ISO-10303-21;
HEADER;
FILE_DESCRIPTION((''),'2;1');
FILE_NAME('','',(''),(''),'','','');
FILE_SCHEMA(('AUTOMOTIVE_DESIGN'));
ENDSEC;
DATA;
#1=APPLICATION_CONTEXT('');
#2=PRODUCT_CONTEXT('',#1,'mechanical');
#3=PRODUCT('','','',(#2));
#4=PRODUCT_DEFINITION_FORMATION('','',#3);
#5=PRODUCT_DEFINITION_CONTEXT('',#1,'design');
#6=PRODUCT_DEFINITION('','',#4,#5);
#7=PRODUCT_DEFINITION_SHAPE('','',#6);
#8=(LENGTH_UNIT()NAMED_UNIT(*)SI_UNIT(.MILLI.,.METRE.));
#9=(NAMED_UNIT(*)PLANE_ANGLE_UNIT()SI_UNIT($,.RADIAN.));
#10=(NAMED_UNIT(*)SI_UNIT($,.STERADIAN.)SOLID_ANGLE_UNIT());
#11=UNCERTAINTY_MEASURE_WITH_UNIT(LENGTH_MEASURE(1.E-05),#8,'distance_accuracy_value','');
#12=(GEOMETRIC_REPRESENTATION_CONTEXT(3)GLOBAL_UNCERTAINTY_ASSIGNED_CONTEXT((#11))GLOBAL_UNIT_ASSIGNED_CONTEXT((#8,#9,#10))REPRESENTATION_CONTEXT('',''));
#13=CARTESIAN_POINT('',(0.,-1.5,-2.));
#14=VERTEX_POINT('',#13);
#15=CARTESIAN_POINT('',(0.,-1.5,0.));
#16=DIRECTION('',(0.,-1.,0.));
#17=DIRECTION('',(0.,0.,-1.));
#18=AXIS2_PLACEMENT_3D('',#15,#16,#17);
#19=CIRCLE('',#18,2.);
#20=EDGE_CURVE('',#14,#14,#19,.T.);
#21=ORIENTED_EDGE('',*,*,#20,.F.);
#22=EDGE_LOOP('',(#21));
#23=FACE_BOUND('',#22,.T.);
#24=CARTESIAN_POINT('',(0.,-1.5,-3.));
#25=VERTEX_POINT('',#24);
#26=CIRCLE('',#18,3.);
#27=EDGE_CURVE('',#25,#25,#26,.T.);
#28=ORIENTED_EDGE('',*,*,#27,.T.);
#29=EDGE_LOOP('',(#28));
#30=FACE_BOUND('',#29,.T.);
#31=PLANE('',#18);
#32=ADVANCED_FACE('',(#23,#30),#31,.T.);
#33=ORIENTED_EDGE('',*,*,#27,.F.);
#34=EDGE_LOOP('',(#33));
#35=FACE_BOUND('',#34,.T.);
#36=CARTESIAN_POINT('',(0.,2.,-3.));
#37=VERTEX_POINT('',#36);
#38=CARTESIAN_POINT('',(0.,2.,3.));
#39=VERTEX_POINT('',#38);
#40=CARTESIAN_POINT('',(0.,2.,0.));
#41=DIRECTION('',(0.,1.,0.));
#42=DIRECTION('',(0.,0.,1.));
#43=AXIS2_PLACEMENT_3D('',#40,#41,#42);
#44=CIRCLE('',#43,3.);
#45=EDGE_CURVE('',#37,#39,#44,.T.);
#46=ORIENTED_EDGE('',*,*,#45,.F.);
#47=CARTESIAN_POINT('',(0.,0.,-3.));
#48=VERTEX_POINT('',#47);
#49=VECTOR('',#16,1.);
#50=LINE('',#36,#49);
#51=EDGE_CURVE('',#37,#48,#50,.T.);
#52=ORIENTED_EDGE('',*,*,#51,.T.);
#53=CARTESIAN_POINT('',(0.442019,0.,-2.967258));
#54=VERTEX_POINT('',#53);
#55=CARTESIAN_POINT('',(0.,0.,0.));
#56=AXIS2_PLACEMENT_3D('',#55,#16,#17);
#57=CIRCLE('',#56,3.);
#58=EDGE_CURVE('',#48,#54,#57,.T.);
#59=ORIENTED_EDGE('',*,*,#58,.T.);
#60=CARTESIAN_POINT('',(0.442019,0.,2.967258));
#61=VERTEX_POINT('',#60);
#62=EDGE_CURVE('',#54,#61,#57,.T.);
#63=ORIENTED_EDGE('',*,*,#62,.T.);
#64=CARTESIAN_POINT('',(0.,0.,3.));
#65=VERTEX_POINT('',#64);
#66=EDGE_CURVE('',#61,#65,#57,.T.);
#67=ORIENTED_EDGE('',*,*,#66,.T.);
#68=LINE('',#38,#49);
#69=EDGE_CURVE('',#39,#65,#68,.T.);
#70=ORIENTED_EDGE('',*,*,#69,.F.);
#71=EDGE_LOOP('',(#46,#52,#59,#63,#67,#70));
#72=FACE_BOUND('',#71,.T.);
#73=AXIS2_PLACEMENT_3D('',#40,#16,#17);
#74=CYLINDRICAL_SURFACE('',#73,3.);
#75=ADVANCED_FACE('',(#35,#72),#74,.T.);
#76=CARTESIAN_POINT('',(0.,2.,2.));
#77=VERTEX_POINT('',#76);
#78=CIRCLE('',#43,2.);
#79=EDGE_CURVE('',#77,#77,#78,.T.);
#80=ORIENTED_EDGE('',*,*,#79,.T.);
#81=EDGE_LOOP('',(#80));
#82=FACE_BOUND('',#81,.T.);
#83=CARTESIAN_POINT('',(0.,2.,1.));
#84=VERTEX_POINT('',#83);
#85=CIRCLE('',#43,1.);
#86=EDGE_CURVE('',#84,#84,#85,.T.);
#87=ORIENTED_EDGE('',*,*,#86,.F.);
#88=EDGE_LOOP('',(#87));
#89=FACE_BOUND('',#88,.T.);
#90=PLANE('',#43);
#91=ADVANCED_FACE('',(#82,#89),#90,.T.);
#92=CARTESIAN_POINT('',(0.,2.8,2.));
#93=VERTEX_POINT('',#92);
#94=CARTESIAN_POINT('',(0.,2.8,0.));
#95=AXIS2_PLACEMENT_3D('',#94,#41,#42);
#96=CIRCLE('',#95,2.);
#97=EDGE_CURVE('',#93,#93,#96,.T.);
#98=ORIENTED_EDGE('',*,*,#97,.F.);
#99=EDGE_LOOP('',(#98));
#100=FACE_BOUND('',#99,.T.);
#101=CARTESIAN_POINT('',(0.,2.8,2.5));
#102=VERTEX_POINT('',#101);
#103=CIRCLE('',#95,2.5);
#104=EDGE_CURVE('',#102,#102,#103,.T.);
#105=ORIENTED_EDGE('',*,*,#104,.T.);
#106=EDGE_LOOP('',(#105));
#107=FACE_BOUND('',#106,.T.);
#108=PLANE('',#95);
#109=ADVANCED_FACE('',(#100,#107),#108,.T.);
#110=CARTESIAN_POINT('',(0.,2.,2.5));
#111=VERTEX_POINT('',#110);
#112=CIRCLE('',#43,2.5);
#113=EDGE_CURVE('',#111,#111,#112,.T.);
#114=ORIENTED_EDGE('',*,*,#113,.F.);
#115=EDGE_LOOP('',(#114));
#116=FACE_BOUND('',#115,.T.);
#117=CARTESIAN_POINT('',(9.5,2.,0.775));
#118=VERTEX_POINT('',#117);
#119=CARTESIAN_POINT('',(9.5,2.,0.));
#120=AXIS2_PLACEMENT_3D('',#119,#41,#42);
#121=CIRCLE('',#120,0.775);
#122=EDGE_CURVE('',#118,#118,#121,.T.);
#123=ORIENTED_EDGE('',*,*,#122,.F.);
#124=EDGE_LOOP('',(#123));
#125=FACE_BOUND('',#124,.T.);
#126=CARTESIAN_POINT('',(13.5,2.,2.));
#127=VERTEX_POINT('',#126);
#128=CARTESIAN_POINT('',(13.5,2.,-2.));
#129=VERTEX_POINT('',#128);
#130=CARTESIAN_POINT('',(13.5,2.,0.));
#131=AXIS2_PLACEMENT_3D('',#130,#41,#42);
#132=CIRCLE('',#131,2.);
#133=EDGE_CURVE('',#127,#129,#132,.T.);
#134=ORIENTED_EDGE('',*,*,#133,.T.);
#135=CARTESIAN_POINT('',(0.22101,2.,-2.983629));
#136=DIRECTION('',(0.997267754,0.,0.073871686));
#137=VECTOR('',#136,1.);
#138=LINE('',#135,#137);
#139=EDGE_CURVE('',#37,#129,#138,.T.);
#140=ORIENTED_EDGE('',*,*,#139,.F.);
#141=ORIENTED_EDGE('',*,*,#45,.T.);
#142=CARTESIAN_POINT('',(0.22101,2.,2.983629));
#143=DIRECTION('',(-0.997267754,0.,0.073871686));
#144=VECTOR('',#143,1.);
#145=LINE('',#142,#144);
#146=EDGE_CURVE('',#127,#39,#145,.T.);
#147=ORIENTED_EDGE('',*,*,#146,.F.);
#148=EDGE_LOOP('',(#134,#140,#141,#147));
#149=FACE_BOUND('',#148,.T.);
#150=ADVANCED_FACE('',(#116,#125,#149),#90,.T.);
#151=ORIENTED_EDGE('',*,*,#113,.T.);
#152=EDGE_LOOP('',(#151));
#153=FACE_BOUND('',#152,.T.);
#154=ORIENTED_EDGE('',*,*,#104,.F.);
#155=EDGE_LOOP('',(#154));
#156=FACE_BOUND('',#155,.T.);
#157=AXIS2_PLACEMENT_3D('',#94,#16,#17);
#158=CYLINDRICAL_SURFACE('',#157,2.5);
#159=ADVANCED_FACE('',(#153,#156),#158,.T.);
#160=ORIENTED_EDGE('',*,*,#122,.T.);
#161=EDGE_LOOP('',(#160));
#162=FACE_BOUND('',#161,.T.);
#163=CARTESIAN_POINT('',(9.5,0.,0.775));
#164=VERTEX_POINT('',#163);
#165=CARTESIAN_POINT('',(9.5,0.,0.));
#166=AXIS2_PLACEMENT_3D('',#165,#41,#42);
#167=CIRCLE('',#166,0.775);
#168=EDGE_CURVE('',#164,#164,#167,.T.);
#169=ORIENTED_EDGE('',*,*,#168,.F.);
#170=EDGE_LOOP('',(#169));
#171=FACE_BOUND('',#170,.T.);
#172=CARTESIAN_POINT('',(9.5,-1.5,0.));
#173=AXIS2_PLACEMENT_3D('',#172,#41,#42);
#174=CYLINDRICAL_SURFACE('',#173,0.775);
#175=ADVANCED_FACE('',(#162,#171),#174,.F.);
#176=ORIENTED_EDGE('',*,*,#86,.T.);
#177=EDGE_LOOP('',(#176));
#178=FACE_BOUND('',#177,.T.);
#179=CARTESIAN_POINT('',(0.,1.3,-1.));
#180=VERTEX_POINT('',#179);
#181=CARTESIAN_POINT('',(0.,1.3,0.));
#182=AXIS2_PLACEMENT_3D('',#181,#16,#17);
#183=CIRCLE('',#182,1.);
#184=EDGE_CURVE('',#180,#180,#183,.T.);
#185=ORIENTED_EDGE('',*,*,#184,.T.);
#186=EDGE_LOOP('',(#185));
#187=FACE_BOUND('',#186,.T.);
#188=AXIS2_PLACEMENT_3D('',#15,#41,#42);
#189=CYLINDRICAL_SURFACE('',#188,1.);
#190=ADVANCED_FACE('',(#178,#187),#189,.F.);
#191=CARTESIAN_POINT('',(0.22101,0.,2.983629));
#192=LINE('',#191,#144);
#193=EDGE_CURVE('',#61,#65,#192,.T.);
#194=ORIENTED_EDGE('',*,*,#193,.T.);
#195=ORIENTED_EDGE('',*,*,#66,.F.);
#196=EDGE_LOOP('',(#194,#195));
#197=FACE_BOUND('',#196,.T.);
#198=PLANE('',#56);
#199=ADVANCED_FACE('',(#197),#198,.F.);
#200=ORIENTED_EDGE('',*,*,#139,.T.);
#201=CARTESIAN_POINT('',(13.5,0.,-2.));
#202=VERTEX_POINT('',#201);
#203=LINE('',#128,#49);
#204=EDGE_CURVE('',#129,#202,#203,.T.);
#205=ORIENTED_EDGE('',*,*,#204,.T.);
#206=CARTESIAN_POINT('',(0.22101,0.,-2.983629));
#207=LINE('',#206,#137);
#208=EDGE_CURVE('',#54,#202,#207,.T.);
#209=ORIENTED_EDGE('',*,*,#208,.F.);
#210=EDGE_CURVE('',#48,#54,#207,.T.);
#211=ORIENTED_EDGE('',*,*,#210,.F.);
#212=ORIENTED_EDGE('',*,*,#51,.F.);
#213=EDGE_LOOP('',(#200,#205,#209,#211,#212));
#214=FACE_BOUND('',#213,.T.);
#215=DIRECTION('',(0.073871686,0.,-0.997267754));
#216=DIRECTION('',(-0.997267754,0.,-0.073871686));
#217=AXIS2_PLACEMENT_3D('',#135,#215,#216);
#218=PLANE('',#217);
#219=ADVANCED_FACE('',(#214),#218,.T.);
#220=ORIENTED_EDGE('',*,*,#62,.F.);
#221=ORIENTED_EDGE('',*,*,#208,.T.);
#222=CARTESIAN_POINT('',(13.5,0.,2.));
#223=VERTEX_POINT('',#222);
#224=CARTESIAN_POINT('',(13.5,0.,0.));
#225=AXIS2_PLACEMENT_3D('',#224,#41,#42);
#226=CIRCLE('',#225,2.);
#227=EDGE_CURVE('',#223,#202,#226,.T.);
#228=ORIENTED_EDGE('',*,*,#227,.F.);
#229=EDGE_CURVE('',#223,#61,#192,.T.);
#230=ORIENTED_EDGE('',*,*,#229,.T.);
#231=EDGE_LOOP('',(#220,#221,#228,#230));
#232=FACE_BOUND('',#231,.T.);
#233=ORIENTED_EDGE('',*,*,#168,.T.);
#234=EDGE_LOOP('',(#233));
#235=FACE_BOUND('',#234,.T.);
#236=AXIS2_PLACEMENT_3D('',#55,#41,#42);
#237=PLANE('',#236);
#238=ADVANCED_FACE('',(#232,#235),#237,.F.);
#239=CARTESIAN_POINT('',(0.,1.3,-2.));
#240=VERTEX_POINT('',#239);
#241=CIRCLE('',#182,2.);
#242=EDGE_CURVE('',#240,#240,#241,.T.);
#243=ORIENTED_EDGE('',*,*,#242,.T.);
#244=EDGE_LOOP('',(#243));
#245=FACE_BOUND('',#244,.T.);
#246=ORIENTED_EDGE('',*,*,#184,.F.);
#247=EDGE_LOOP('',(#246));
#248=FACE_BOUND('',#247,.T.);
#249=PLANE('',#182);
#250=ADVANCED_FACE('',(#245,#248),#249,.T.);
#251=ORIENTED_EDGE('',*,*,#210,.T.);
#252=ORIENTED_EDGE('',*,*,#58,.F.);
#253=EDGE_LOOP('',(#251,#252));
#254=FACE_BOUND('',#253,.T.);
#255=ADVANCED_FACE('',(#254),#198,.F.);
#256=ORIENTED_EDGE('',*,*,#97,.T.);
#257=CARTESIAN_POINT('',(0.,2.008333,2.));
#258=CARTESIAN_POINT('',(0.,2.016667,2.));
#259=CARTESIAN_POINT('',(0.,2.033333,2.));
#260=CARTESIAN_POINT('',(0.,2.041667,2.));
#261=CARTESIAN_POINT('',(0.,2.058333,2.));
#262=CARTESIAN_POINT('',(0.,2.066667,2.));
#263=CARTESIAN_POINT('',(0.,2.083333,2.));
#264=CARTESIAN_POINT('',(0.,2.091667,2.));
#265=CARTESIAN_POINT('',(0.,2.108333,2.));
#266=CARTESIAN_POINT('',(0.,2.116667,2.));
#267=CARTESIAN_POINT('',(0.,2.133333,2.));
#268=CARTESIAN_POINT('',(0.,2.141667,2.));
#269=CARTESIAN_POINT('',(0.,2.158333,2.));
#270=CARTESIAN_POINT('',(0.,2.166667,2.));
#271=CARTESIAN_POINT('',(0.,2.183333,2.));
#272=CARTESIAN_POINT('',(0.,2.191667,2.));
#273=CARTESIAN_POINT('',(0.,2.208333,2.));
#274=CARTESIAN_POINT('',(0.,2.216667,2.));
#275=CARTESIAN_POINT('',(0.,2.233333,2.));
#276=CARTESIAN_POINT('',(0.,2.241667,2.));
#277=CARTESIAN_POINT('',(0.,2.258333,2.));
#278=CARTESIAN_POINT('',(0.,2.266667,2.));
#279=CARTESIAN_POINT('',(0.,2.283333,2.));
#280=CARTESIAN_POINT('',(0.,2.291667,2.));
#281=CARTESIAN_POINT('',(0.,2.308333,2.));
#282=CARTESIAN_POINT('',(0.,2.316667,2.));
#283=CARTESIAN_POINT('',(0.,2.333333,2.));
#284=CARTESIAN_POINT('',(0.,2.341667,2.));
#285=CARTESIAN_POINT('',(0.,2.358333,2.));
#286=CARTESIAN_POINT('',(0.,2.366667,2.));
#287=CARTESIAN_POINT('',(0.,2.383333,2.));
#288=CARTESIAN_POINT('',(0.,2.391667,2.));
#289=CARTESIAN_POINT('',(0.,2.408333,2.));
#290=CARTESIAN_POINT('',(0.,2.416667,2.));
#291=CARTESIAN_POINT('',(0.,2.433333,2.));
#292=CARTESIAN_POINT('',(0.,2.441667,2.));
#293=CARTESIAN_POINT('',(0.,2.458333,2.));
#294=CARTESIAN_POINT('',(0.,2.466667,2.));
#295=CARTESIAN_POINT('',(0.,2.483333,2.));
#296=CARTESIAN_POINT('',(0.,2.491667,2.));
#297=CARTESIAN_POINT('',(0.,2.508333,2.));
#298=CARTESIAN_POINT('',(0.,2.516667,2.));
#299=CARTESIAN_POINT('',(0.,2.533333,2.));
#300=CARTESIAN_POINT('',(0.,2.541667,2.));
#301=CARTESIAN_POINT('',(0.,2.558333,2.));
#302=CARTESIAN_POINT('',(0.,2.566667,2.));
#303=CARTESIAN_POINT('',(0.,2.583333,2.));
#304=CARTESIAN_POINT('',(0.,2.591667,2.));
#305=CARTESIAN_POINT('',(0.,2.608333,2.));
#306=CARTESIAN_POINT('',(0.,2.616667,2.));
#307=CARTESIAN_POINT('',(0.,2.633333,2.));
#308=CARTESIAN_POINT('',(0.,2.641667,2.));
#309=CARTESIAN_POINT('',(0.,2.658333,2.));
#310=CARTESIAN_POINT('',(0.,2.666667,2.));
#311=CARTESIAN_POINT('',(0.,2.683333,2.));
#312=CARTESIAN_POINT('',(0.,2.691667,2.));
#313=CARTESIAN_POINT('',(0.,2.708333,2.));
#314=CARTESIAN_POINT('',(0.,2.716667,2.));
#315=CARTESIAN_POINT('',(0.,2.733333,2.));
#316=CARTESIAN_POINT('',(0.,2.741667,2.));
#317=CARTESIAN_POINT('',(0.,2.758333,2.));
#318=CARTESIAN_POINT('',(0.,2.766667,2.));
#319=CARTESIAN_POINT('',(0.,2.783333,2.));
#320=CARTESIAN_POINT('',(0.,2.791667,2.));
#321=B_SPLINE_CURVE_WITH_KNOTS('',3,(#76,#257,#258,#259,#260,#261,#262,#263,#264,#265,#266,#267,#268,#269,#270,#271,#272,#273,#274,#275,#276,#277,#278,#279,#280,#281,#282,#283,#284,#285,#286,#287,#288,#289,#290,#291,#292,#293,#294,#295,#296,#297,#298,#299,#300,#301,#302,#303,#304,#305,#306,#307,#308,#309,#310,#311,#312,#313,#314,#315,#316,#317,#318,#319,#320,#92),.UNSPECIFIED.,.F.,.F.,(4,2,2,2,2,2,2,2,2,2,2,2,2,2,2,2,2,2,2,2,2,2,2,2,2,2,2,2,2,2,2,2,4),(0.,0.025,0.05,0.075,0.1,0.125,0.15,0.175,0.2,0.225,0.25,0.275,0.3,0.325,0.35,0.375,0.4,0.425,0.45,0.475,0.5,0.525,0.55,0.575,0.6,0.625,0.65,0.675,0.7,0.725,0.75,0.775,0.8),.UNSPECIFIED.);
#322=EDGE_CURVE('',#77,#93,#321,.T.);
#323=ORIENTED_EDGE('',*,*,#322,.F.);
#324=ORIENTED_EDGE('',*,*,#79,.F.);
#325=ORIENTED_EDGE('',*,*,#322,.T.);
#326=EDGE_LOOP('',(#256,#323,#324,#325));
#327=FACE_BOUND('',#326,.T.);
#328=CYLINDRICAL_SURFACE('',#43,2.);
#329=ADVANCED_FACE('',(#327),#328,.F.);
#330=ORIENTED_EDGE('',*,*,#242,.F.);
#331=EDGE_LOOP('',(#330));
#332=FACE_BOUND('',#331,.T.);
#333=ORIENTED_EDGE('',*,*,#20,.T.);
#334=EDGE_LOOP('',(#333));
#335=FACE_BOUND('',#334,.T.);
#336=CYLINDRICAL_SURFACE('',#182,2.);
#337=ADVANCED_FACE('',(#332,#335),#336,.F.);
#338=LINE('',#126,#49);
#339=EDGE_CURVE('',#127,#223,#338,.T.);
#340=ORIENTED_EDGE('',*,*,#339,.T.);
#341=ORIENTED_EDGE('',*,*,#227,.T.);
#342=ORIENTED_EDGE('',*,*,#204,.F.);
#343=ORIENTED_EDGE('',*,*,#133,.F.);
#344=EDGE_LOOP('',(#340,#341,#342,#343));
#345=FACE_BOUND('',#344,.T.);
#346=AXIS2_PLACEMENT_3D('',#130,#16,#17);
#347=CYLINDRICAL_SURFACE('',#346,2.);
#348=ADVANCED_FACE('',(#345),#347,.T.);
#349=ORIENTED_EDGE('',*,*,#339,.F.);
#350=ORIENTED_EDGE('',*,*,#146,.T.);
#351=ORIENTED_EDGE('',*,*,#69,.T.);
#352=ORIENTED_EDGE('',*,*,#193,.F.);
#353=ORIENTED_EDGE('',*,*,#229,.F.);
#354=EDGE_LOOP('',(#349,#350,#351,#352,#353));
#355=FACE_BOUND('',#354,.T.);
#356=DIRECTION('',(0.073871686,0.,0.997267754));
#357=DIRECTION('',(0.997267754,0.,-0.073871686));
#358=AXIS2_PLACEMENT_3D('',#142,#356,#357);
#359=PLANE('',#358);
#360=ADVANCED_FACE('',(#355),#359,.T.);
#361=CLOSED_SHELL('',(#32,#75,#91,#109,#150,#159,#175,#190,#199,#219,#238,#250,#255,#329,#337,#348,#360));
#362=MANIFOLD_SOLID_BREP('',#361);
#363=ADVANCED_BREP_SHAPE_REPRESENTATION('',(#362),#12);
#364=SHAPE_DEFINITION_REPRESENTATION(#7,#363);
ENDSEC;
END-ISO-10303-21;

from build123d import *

# Parameters (mm, degrees)
EXTRUDE_1_DEPTH     = 2
SKETCH_3_R          = 2.5
EXTRUDE_2_DEPTH     = 0.8
EXTRUDE_START       = 1.5
SKETCH_4_R          = 3
EXTRUDE_3_DEPTH     = 1.5
SKETCH_5_R          = 2
CUT_EXTRUDE_1_DEPTH = 2.8
CUT_EXTRUDE_START   = -0.8
SKETCH_6_R          = 2
CUT_EXTRUDE_2_DEPTH = 0.8
SKETCH_7_R          = 1
CUT_EXTRUDE_3_DEPTH = 17.170961629
SKETCH_8_R          = 0.775
CUT_EXTRUDE_4_DEPTH = 17.170961629


with BuildPart() as part:
    # Эскиз2 → Бобышка-Вытянуть1 (new body)
    with BuildSketch(Plane(origin=(0, 0, 0), x_dir=(1, 0, 0), z_dir=(0, 1, 0))):
        with BuildLine():
            ThreePointArc((0.4420191, 2.967257844), (2.272229885, 1.958818866), (3, 0))
            Line((3, 0), (11.5, 0))
            ThreePointArc((11.5, 0), (12.085786438, 1.414213562), (13.5, 2))
            Line((13.5, 2), (0.4420191, 2.967257844))
        make_face()
        with BuildLine():
            ThreePointArc((0, 3), (-2.121320344, 2.121320344), (-3, 0))
            Line((-3, 0), (3, 0))
            ThreePointArc((3, 0), (2.272229885, 1.958818866), (0.4420191, 2.967257844))
            Line((0.4420191, 2.967257844), (0, 3))
        make_face()
        with BuildLine():
            Line((3, 0), (-3, 0))
            ThreePointArc((-3, 0), (-2.121320344, -2.121320344), (0, -3))
            Line((0, -3), (0.4420191, -2.967257844))
            ThreePointArc((0.4420191, -2.967257844), (2.272229885, -1.958818866), (3, 0))
        make_face()
        with BuildLine():
            Line((11.5, 0), (3, 0))
            ThreePointArc((3, 0), (2.272229885, -1.958818866), (0.4420191, -2.967257844))
            Line((0.4420191, -2.967257844), (13.5, -2))
            ThreePointArc((13.5, -2), (12.085786438, -1.414213562), (11.5, 0))
        make_face()
        with BuildLine():
            ThreePointArc((13.5, 2), (12.085786438, 1.414213562), (11.5, 0))
            Line((11.5, 0), (15.5, 0))
            ThreePointArc((15.5, 0), (14.914213562, 1.414213562), (13.5, 2))
        make_face()
        with BuildLine():
            Line((15.5, 0), (11.5, 0))
            ThreePointArc((11.5, 0), (12.085786438, -1.414213562), (13.5, -2))
            ThreePointArc((13.5, -2), (14.914213562, -1.414213562), (15.5, 0))
        make_face()
    extrude(amount=EXTRUDE_1_DEPTH)

    # Эскиз3 → Бобышка-Вытянуть2 (add)
    with BuildSketch(Plane(origin=(0, 2, 0), x_dir=(1, 0, 0), z_dir=(0, 1, 0))):
        with Locations(Location((0, 0, 0), (0, 0, 270))):
            Circle(SKETCH_3_R)
    extrude(amount=EXTRUDE_2_DEPTH)

    # Эскиз4 → Бобышка-Вытянуть3 (add)
    with BuildSketch(Plane.XZ.offset(EXTRUDE_START)):
        with Locations(Location((0, 0, 0), (0, 0, 270))):
            Circle(SKETCH_4_R)
    extrude(amount=-EXTRUDE_3_DEPTH)

    # Эскиз5 → Вырез-Вытянуть1 (cut)
    with BuildSketch(Plane(origin=(0, -1.5, 0), x_dir=(-1, 0, 0), z_dir=(0, -1, 0))):
        with Locations(Location((0, 0, 0), (0, 0, 90))):
            Circle(SKETCH_5_R)
    extrude(amount=-CUT_EXTRUDE_1_DEPTH, mode=Mode.SUBTRACT)

    # Эскиз6 → Вырез-Вытянуть2 (cut)
    with BuildSketch(Plane(origin=(0, 2.8, 0), x_dir=(1, 0, 0), z_dir=(0, 1, 0)).offset(CUT_EXTRUDE_START)):
        with Locations(Location((0, 0, 0), (0, 0, 90))):
            Circle(SKETCH_6_R)
    extrude(amount=CUT_EXTRUDE_2_DEPTH, mode=Mode.SUBTRACT)

    # Эскиз7 → Вырез-Вытянуть3 (cut, through all)
    with BuildSketch(Plane(origin=(0, 2, 0), x_dir=(1, 0, 0), z_dir=(0, 1, 0))):
        with Locations(Location((0, 0, 0), (0, 0, 270))):
            Circle(SKETCH_7_R)
    extrude(amount=-CUT_EXTRUDE_3_DEPTH, mode=Mode.SUBTRACT)

    # Эскиз8 → Вырез-Вытянуть4 (cut, through all)
    with BuildSketch(Plane(origin=(0, 2, 0), x_dir=(1, 0, 0), z_dir=(0, 1, 0))):
        with Locations(Location((9.5, 0, 0), (0, 0, 270))):
            Circle(SKETCH_8_R)
    extrude(amount=-CUT_EXTRUDE_4_DEPTH, mode=Mode.SUBTRACT)


solid = part.part
